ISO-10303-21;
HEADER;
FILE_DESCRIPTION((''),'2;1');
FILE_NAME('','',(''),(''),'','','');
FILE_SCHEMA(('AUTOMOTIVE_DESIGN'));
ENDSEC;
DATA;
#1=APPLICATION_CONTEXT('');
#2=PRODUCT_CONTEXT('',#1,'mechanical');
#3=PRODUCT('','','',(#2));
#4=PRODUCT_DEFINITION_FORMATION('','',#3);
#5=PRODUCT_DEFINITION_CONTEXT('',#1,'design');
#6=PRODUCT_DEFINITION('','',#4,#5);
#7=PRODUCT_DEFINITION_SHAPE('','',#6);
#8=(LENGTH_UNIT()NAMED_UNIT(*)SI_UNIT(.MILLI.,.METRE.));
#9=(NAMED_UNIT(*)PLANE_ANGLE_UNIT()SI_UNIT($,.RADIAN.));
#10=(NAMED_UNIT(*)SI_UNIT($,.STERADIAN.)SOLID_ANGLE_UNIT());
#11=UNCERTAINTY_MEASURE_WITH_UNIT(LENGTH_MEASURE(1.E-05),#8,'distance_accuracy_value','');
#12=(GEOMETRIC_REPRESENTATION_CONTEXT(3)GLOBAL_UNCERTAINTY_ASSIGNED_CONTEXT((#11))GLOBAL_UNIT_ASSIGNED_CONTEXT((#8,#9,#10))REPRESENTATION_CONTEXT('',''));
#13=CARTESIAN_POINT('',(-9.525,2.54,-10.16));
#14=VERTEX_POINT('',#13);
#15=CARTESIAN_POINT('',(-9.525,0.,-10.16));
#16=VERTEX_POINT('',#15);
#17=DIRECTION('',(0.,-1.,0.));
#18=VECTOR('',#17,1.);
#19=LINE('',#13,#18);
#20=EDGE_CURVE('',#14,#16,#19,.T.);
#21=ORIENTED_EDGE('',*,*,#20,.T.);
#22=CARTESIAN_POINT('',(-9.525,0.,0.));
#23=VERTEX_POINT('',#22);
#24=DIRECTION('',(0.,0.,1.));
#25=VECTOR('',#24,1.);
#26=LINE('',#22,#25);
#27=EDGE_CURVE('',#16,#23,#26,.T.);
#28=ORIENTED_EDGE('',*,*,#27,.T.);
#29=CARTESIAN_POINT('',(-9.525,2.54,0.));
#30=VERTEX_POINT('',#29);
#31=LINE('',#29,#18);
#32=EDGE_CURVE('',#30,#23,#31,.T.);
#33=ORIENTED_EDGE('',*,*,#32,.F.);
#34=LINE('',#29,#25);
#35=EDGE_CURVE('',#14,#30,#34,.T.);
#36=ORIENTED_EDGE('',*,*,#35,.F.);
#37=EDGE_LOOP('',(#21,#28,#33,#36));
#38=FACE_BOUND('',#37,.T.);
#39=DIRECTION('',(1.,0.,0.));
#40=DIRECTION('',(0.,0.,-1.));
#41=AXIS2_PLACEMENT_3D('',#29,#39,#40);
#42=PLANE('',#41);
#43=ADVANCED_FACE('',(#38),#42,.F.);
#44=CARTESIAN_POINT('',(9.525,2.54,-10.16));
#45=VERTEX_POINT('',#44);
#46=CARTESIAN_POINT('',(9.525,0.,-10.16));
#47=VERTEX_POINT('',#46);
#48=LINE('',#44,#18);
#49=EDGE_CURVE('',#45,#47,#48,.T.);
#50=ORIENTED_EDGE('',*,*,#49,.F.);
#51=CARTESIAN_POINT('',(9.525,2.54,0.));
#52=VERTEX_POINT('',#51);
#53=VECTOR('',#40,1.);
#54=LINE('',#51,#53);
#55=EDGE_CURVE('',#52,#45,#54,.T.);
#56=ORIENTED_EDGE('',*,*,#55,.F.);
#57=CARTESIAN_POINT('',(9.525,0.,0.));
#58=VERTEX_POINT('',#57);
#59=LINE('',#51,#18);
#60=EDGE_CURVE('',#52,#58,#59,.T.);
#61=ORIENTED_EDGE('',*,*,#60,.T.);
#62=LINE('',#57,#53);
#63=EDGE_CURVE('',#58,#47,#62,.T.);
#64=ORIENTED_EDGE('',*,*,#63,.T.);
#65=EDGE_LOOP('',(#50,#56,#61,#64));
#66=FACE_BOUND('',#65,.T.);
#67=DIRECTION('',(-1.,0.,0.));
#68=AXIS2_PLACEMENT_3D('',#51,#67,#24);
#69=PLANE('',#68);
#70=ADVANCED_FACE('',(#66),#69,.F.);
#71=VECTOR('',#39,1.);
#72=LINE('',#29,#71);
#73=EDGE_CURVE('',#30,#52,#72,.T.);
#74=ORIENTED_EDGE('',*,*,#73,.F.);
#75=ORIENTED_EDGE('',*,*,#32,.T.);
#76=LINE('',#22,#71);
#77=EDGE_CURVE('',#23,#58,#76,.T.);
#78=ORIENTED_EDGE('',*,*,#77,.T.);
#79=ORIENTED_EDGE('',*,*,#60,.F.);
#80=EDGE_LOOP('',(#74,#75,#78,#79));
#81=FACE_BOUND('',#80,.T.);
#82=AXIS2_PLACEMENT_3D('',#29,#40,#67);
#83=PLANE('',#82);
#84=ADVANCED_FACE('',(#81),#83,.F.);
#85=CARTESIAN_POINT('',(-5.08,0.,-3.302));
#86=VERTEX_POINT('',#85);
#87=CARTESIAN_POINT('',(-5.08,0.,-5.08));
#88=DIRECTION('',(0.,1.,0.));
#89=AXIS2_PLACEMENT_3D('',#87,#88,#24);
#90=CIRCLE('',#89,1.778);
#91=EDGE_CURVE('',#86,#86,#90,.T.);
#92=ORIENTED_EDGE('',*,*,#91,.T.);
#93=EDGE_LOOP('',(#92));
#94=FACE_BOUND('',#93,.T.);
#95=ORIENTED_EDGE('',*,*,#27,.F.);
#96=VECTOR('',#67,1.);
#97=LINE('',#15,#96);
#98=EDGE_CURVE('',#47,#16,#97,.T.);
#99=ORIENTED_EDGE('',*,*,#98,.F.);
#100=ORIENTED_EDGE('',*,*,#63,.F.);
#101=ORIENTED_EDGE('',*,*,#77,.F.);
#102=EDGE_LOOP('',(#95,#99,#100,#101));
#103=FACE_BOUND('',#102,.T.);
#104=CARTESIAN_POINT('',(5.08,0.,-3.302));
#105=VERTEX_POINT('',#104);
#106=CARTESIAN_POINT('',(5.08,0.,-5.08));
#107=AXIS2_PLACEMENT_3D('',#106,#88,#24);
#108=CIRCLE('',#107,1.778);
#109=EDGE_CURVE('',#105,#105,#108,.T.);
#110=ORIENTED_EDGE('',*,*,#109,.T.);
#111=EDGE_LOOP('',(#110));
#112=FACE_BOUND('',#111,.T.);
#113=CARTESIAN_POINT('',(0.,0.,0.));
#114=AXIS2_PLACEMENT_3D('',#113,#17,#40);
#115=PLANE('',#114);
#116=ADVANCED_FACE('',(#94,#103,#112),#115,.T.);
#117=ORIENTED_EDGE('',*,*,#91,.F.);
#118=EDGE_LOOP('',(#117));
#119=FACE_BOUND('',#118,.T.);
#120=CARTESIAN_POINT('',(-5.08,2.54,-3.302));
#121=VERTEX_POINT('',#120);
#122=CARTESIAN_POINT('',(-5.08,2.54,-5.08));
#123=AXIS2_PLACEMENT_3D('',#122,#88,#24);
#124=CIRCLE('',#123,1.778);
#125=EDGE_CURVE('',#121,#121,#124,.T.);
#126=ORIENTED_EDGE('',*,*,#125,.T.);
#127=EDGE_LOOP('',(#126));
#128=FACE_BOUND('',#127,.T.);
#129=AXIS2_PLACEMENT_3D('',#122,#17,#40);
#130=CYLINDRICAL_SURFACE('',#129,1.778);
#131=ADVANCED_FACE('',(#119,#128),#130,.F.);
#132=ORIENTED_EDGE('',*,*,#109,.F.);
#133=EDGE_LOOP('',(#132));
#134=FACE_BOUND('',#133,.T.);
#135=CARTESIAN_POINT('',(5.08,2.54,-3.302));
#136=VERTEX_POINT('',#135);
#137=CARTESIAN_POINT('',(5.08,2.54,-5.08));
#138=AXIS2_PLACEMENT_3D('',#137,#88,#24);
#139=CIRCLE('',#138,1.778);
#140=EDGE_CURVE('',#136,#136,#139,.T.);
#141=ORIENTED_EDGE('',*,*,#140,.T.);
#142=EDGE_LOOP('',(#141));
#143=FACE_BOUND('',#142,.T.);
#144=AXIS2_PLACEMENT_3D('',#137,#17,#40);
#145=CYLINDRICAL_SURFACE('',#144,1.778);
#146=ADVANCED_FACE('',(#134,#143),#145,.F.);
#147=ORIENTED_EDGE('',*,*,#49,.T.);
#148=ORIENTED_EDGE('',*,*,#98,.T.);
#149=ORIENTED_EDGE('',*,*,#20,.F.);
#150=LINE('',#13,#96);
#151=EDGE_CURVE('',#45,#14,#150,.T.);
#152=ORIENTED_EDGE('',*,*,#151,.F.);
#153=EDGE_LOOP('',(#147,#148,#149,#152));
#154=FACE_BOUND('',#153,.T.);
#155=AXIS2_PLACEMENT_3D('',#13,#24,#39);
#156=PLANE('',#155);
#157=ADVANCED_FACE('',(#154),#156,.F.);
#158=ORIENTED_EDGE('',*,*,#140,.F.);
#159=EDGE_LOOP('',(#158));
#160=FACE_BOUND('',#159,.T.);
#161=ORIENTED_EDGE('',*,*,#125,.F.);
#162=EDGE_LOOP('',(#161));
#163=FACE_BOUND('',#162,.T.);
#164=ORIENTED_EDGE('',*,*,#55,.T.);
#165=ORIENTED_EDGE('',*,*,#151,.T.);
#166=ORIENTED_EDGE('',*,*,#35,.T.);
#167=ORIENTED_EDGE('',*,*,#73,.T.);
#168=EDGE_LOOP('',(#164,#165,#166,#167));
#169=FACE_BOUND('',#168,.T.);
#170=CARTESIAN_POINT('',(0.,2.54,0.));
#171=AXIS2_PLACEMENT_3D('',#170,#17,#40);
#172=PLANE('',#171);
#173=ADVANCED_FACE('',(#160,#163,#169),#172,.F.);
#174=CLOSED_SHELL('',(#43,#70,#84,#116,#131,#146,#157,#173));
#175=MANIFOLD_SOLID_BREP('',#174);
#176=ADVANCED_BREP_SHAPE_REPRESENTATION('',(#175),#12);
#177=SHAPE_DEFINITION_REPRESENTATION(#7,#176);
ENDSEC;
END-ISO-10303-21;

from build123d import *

# Parameters (mm, degrees)
SKETCH1_W           = 19.05
SKETCH1_H           = 10.16
SKETCH1_R           = 1.778
BOSS_EXTRUDE1_DEPTH = 2.54


with BuildPart() as part:
    # Sketch1 → Boss-Extrude1 (new body)
    with BuildSketch(Plane(origin=(0, 0, 0), x_dir=(1, 0, 0), z_dir=(0, 1, 0))):
        with Locations((0, 5.08)):
            Rectangle(SKETCH1_W, SKETCH1_H)
        with Locations((-5.08, 5.08)):
            Circle(SKETCH1_R, mode=Mode.SUBTRACT)
        with Locations((5.08, 5.08)):
            Circle(SKETCH1_R, mode=Mode.SUBTRACT)
    extrude(amount=BOSS_EXTRUDE1_DEPTH)


solid = part.part
